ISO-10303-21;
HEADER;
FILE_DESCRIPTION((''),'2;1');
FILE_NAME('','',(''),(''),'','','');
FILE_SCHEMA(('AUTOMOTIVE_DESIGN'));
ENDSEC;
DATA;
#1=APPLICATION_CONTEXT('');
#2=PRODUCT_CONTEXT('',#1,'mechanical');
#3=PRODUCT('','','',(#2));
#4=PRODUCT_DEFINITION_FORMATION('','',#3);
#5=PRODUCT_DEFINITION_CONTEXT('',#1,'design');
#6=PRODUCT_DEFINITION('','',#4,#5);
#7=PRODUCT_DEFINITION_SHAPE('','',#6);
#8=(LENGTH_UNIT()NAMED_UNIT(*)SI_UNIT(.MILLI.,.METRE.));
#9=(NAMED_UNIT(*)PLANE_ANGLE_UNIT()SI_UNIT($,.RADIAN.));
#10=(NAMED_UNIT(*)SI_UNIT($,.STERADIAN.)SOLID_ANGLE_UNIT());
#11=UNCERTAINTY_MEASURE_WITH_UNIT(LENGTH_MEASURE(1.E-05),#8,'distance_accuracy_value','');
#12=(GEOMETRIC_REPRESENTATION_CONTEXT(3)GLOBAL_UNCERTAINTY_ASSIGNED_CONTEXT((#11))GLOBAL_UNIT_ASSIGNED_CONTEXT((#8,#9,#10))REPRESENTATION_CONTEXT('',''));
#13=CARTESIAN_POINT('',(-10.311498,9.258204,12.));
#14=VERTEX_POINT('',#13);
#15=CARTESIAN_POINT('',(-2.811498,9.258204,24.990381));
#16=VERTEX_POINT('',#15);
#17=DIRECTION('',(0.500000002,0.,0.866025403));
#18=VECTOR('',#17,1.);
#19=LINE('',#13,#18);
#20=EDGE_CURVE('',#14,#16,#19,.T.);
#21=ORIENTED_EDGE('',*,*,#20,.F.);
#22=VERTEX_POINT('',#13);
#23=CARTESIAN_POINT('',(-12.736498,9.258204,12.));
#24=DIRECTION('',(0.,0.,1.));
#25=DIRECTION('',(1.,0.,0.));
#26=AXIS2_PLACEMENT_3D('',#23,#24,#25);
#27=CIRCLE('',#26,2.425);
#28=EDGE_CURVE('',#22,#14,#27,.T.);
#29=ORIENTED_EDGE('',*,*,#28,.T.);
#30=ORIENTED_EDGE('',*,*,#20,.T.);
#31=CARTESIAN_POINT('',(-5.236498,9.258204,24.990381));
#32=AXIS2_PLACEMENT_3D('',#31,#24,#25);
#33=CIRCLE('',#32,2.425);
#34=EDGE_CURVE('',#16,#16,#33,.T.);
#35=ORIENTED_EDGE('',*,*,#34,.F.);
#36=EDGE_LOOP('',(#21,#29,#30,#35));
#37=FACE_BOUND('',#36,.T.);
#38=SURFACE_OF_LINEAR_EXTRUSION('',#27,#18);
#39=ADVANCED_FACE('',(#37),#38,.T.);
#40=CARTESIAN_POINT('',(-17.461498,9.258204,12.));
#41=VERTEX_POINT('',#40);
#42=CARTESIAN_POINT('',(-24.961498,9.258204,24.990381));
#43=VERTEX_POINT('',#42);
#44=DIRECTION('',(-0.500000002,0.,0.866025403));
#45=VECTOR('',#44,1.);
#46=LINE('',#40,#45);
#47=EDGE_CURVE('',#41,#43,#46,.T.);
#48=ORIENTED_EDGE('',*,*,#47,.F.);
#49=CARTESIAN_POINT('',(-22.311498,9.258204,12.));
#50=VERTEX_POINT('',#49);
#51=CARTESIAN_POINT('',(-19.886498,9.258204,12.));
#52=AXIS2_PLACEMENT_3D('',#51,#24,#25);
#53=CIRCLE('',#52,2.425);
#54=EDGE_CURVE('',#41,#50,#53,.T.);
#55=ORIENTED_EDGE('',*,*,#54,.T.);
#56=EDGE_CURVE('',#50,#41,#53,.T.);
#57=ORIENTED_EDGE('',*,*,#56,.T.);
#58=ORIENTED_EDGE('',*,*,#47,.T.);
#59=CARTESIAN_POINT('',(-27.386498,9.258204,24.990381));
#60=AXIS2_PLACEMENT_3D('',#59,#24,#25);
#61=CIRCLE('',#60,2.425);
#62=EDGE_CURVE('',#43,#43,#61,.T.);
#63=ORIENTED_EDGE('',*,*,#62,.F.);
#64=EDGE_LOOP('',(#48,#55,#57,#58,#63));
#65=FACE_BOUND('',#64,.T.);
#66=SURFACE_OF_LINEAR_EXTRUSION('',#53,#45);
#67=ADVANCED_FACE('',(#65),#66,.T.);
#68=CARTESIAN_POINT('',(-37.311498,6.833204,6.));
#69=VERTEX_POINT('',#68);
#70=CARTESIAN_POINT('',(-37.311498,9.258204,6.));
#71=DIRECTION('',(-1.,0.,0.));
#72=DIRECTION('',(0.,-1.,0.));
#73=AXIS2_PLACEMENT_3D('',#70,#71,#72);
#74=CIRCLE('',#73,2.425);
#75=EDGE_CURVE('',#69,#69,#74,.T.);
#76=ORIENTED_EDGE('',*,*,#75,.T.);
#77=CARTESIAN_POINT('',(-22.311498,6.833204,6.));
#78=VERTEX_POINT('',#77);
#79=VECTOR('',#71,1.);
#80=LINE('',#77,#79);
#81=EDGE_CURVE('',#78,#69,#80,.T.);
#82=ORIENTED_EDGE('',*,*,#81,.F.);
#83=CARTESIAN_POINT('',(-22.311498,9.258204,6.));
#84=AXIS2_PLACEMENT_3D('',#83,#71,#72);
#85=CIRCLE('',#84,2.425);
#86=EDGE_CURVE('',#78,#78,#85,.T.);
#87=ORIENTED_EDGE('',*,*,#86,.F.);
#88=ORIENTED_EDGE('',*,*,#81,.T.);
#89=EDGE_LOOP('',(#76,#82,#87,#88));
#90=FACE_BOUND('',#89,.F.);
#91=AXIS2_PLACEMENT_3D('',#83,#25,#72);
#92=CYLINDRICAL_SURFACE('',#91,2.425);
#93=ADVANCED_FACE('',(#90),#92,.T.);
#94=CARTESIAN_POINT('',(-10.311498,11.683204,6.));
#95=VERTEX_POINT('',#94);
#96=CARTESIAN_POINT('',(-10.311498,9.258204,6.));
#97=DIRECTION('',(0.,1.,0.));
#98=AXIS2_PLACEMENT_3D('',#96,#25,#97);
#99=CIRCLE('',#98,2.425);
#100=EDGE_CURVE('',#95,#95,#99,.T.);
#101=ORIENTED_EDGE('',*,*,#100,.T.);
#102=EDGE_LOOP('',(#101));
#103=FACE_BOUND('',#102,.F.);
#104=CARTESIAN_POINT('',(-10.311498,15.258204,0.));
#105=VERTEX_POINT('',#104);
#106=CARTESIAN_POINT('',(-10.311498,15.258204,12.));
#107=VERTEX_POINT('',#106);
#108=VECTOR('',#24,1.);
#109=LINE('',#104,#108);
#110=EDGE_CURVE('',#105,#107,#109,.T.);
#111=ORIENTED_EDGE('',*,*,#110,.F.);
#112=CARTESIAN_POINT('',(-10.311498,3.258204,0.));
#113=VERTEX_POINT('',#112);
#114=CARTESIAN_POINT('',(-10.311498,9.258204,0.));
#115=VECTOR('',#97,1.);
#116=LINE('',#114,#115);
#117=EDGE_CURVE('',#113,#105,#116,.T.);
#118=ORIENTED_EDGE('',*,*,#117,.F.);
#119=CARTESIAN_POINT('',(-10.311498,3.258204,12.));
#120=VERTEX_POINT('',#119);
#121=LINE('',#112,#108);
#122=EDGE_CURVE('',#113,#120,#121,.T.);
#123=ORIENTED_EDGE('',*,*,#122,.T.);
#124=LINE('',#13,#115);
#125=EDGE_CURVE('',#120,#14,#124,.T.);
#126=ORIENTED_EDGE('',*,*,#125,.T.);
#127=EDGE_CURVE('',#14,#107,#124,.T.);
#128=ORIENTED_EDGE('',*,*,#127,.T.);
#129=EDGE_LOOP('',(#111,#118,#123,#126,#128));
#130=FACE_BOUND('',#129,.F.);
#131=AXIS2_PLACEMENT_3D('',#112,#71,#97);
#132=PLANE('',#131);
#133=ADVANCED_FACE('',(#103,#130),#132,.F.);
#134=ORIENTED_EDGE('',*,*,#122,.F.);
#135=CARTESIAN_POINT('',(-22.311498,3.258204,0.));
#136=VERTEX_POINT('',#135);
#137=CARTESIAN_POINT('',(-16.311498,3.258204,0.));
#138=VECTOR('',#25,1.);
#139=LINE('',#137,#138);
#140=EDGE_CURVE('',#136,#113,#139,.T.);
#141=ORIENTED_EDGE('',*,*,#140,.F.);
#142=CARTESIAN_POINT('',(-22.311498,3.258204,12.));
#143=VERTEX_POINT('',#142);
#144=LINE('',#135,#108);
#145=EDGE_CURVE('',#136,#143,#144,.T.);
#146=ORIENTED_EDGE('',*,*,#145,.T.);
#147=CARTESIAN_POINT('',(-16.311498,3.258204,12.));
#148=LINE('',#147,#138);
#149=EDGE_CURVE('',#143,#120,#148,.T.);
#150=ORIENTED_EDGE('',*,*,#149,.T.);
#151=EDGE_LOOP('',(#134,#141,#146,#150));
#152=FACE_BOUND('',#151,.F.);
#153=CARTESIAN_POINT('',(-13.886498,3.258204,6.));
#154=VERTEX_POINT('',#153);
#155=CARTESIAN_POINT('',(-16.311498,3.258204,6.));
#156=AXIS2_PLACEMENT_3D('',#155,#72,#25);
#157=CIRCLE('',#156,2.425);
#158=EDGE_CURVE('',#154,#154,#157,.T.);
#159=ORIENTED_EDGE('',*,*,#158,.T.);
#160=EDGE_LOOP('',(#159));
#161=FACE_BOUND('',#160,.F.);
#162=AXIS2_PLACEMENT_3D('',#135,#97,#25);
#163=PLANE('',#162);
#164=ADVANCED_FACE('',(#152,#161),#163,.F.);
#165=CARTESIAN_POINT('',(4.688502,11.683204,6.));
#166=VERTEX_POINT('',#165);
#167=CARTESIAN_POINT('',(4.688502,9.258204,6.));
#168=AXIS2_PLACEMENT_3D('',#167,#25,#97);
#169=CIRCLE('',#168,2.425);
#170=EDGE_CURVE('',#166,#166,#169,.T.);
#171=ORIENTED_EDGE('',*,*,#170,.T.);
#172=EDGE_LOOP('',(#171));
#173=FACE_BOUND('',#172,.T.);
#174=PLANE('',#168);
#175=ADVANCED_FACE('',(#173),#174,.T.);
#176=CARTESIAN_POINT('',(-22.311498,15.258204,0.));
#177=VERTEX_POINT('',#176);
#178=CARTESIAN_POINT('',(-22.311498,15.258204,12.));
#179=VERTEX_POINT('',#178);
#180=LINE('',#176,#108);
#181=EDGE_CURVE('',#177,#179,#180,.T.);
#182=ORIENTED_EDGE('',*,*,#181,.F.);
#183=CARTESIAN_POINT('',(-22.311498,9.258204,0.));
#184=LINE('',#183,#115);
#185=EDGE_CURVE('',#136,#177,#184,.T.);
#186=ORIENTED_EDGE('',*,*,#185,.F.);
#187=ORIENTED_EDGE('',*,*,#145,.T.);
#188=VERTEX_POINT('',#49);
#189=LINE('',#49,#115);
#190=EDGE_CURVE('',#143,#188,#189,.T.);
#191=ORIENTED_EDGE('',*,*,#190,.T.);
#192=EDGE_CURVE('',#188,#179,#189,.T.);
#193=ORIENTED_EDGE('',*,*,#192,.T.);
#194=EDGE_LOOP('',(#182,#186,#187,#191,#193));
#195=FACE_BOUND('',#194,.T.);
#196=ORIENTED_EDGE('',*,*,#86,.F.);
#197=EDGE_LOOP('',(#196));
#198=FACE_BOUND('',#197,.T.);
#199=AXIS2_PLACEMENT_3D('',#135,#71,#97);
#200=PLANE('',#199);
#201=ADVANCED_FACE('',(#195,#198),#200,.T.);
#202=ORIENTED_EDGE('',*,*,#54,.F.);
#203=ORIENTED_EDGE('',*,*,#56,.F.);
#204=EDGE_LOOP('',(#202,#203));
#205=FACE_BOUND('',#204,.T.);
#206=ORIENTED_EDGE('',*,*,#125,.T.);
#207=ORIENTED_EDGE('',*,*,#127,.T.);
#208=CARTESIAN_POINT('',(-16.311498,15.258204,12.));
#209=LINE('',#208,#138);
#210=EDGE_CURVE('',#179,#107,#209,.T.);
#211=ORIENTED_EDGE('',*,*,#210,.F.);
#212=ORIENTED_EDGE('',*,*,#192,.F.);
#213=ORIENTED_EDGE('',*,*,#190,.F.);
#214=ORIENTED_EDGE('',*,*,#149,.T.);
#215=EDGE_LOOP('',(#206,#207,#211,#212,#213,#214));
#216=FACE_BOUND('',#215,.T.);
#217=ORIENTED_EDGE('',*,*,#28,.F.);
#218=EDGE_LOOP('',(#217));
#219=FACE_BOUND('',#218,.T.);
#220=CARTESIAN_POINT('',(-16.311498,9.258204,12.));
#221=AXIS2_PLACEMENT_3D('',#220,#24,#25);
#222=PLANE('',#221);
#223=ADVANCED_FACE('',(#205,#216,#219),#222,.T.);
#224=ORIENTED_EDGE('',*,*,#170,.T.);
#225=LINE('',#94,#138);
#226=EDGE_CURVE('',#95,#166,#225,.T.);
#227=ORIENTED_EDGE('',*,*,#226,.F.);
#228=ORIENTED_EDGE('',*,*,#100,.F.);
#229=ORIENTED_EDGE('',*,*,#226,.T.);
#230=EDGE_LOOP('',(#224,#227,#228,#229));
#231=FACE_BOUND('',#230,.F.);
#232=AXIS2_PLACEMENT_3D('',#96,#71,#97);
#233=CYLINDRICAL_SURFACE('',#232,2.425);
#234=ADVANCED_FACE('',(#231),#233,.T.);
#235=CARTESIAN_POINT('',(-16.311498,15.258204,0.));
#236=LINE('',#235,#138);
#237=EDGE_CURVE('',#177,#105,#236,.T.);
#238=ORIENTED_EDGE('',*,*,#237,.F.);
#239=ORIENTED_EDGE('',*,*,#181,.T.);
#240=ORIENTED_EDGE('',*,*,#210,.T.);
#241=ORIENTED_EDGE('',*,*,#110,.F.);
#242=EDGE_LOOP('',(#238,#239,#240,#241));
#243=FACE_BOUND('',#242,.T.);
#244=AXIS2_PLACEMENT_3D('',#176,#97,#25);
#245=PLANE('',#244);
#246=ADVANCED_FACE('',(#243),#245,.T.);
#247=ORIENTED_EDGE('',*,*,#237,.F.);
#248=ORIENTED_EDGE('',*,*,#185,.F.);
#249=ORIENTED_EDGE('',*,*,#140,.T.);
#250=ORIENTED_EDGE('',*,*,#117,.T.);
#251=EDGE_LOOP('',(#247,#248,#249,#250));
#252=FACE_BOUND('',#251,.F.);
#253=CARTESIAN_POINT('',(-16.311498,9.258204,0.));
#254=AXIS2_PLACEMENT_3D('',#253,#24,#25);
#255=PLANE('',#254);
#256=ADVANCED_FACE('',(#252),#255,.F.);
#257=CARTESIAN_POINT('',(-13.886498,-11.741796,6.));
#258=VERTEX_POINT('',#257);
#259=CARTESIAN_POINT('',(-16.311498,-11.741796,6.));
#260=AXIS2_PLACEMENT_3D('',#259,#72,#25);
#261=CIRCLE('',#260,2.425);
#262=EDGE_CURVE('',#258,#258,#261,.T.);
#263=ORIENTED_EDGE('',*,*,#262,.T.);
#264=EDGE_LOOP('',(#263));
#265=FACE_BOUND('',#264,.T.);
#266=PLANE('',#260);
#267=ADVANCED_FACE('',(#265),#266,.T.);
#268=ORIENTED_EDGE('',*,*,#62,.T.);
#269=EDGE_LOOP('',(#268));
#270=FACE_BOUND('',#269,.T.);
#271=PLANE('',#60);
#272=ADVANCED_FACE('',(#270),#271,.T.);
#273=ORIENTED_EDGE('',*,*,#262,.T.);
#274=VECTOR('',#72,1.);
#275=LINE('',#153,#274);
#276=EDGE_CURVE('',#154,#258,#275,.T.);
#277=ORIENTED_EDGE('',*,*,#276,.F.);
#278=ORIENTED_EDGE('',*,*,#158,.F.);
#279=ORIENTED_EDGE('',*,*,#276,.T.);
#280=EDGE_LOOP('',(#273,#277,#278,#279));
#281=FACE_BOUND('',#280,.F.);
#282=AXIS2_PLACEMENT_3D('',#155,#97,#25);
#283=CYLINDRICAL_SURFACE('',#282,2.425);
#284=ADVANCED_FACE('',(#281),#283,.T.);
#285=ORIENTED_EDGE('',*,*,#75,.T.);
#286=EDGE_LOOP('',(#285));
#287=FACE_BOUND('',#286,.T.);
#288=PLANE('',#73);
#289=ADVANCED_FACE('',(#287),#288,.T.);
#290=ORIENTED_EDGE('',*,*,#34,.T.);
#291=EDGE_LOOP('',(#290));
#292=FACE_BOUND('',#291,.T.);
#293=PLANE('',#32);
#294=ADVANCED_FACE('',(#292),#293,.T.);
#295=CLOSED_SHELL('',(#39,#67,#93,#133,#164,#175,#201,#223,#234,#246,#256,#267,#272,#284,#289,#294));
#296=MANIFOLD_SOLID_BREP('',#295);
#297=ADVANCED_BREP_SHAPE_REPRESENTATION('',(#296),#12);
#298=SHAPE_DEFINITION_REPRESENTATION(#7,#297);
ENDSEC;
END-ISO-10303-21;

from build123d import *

# Parameters (mm, degrees)
F0_W     = 12
F0_H     = 12
F1_DEPTH = 12
F2_R     = 2.425
F3_DEPTH = 15
F4_R     = 2.425
F5_DEPTH = 15
F6_R     = 2.425
F7_DEPTH = 15
F8_R     = 2.425


with BuildPart() as f1:
    # F0 (on Top) → F1 (new body)
    with BuildSketch(Plane.XY):
        with Locations((-16.311498, 9.258204)):
            Rectangle(F0_W, F0_H)
    extrude(amount=F1_DEPTH)

    # F2 (on face) → F3 (join)
    with BuildSketch(Plane.YZ.offset(-10.311498)):
        with Locations((9.258204, 6)):
            Circle(F2_R)
    extrude(amount=F3_DEPTH)

    # F4 (on face) → F5 (join)
    with BuildSketch(Plane(origin=(-22.311498, 0, 0), x_dir=(0, -1, 0), z_dir=(-1, 0, 0))):
        with Locations((-9.258204, 6)):
            Circle(F4_R)
    extrude(amount=F5_DEPTH)

    # F6 (on face) → F7 (join)
    with BuildSketch(Plane.XZ.offset(-3.258204)):
        with Locations((-16.311498, 6)):
            Circle(F6_R)
    extrude(amount=F7_DEPTH)

    # F10: sweep along a path in F9
    with BuildLine(Plane(origin=(0, 15.258204, 0), x_dir=(-1, 0, 0), z_dir=(0, 1, 0))) as f10_path:
        Line((12.736498, 12), (5.236498, 24.990381))
    # F8 (on face) → F10 (sweep)
    with BuildSketch(Plane.XY.offset(12)):
        with Locations((-12.736498, 9.258204)):
            Circle(F8_R)
    sweep(path=f10_path.line)

    # F11: sweep along a path in F9
    with BuildLine(Plane(origin=(0, 15.258204, 0), x_dir=(-1, 0, 0), z_dir=(0, 1, 0))) as f11_path:
        Line((19.886498, 12), (27.386498, 24.990381))
    # F8 (on face) → F11 (sweep)
    with BuildSketch(Plane.XY.offset(12)):
        with BuildLine():
            ThreePointArc((-22.311498, 9.258204), (-19.886498, 6.833204), (-17.461498, 9.258204))
            ThreePointArc((-17.461498, 9.258204), (-19.886498, 11.683204), (-22.311498, 9.258204))
        make_face()
    sweep(path=f11_path.line)


solid = f1.part
